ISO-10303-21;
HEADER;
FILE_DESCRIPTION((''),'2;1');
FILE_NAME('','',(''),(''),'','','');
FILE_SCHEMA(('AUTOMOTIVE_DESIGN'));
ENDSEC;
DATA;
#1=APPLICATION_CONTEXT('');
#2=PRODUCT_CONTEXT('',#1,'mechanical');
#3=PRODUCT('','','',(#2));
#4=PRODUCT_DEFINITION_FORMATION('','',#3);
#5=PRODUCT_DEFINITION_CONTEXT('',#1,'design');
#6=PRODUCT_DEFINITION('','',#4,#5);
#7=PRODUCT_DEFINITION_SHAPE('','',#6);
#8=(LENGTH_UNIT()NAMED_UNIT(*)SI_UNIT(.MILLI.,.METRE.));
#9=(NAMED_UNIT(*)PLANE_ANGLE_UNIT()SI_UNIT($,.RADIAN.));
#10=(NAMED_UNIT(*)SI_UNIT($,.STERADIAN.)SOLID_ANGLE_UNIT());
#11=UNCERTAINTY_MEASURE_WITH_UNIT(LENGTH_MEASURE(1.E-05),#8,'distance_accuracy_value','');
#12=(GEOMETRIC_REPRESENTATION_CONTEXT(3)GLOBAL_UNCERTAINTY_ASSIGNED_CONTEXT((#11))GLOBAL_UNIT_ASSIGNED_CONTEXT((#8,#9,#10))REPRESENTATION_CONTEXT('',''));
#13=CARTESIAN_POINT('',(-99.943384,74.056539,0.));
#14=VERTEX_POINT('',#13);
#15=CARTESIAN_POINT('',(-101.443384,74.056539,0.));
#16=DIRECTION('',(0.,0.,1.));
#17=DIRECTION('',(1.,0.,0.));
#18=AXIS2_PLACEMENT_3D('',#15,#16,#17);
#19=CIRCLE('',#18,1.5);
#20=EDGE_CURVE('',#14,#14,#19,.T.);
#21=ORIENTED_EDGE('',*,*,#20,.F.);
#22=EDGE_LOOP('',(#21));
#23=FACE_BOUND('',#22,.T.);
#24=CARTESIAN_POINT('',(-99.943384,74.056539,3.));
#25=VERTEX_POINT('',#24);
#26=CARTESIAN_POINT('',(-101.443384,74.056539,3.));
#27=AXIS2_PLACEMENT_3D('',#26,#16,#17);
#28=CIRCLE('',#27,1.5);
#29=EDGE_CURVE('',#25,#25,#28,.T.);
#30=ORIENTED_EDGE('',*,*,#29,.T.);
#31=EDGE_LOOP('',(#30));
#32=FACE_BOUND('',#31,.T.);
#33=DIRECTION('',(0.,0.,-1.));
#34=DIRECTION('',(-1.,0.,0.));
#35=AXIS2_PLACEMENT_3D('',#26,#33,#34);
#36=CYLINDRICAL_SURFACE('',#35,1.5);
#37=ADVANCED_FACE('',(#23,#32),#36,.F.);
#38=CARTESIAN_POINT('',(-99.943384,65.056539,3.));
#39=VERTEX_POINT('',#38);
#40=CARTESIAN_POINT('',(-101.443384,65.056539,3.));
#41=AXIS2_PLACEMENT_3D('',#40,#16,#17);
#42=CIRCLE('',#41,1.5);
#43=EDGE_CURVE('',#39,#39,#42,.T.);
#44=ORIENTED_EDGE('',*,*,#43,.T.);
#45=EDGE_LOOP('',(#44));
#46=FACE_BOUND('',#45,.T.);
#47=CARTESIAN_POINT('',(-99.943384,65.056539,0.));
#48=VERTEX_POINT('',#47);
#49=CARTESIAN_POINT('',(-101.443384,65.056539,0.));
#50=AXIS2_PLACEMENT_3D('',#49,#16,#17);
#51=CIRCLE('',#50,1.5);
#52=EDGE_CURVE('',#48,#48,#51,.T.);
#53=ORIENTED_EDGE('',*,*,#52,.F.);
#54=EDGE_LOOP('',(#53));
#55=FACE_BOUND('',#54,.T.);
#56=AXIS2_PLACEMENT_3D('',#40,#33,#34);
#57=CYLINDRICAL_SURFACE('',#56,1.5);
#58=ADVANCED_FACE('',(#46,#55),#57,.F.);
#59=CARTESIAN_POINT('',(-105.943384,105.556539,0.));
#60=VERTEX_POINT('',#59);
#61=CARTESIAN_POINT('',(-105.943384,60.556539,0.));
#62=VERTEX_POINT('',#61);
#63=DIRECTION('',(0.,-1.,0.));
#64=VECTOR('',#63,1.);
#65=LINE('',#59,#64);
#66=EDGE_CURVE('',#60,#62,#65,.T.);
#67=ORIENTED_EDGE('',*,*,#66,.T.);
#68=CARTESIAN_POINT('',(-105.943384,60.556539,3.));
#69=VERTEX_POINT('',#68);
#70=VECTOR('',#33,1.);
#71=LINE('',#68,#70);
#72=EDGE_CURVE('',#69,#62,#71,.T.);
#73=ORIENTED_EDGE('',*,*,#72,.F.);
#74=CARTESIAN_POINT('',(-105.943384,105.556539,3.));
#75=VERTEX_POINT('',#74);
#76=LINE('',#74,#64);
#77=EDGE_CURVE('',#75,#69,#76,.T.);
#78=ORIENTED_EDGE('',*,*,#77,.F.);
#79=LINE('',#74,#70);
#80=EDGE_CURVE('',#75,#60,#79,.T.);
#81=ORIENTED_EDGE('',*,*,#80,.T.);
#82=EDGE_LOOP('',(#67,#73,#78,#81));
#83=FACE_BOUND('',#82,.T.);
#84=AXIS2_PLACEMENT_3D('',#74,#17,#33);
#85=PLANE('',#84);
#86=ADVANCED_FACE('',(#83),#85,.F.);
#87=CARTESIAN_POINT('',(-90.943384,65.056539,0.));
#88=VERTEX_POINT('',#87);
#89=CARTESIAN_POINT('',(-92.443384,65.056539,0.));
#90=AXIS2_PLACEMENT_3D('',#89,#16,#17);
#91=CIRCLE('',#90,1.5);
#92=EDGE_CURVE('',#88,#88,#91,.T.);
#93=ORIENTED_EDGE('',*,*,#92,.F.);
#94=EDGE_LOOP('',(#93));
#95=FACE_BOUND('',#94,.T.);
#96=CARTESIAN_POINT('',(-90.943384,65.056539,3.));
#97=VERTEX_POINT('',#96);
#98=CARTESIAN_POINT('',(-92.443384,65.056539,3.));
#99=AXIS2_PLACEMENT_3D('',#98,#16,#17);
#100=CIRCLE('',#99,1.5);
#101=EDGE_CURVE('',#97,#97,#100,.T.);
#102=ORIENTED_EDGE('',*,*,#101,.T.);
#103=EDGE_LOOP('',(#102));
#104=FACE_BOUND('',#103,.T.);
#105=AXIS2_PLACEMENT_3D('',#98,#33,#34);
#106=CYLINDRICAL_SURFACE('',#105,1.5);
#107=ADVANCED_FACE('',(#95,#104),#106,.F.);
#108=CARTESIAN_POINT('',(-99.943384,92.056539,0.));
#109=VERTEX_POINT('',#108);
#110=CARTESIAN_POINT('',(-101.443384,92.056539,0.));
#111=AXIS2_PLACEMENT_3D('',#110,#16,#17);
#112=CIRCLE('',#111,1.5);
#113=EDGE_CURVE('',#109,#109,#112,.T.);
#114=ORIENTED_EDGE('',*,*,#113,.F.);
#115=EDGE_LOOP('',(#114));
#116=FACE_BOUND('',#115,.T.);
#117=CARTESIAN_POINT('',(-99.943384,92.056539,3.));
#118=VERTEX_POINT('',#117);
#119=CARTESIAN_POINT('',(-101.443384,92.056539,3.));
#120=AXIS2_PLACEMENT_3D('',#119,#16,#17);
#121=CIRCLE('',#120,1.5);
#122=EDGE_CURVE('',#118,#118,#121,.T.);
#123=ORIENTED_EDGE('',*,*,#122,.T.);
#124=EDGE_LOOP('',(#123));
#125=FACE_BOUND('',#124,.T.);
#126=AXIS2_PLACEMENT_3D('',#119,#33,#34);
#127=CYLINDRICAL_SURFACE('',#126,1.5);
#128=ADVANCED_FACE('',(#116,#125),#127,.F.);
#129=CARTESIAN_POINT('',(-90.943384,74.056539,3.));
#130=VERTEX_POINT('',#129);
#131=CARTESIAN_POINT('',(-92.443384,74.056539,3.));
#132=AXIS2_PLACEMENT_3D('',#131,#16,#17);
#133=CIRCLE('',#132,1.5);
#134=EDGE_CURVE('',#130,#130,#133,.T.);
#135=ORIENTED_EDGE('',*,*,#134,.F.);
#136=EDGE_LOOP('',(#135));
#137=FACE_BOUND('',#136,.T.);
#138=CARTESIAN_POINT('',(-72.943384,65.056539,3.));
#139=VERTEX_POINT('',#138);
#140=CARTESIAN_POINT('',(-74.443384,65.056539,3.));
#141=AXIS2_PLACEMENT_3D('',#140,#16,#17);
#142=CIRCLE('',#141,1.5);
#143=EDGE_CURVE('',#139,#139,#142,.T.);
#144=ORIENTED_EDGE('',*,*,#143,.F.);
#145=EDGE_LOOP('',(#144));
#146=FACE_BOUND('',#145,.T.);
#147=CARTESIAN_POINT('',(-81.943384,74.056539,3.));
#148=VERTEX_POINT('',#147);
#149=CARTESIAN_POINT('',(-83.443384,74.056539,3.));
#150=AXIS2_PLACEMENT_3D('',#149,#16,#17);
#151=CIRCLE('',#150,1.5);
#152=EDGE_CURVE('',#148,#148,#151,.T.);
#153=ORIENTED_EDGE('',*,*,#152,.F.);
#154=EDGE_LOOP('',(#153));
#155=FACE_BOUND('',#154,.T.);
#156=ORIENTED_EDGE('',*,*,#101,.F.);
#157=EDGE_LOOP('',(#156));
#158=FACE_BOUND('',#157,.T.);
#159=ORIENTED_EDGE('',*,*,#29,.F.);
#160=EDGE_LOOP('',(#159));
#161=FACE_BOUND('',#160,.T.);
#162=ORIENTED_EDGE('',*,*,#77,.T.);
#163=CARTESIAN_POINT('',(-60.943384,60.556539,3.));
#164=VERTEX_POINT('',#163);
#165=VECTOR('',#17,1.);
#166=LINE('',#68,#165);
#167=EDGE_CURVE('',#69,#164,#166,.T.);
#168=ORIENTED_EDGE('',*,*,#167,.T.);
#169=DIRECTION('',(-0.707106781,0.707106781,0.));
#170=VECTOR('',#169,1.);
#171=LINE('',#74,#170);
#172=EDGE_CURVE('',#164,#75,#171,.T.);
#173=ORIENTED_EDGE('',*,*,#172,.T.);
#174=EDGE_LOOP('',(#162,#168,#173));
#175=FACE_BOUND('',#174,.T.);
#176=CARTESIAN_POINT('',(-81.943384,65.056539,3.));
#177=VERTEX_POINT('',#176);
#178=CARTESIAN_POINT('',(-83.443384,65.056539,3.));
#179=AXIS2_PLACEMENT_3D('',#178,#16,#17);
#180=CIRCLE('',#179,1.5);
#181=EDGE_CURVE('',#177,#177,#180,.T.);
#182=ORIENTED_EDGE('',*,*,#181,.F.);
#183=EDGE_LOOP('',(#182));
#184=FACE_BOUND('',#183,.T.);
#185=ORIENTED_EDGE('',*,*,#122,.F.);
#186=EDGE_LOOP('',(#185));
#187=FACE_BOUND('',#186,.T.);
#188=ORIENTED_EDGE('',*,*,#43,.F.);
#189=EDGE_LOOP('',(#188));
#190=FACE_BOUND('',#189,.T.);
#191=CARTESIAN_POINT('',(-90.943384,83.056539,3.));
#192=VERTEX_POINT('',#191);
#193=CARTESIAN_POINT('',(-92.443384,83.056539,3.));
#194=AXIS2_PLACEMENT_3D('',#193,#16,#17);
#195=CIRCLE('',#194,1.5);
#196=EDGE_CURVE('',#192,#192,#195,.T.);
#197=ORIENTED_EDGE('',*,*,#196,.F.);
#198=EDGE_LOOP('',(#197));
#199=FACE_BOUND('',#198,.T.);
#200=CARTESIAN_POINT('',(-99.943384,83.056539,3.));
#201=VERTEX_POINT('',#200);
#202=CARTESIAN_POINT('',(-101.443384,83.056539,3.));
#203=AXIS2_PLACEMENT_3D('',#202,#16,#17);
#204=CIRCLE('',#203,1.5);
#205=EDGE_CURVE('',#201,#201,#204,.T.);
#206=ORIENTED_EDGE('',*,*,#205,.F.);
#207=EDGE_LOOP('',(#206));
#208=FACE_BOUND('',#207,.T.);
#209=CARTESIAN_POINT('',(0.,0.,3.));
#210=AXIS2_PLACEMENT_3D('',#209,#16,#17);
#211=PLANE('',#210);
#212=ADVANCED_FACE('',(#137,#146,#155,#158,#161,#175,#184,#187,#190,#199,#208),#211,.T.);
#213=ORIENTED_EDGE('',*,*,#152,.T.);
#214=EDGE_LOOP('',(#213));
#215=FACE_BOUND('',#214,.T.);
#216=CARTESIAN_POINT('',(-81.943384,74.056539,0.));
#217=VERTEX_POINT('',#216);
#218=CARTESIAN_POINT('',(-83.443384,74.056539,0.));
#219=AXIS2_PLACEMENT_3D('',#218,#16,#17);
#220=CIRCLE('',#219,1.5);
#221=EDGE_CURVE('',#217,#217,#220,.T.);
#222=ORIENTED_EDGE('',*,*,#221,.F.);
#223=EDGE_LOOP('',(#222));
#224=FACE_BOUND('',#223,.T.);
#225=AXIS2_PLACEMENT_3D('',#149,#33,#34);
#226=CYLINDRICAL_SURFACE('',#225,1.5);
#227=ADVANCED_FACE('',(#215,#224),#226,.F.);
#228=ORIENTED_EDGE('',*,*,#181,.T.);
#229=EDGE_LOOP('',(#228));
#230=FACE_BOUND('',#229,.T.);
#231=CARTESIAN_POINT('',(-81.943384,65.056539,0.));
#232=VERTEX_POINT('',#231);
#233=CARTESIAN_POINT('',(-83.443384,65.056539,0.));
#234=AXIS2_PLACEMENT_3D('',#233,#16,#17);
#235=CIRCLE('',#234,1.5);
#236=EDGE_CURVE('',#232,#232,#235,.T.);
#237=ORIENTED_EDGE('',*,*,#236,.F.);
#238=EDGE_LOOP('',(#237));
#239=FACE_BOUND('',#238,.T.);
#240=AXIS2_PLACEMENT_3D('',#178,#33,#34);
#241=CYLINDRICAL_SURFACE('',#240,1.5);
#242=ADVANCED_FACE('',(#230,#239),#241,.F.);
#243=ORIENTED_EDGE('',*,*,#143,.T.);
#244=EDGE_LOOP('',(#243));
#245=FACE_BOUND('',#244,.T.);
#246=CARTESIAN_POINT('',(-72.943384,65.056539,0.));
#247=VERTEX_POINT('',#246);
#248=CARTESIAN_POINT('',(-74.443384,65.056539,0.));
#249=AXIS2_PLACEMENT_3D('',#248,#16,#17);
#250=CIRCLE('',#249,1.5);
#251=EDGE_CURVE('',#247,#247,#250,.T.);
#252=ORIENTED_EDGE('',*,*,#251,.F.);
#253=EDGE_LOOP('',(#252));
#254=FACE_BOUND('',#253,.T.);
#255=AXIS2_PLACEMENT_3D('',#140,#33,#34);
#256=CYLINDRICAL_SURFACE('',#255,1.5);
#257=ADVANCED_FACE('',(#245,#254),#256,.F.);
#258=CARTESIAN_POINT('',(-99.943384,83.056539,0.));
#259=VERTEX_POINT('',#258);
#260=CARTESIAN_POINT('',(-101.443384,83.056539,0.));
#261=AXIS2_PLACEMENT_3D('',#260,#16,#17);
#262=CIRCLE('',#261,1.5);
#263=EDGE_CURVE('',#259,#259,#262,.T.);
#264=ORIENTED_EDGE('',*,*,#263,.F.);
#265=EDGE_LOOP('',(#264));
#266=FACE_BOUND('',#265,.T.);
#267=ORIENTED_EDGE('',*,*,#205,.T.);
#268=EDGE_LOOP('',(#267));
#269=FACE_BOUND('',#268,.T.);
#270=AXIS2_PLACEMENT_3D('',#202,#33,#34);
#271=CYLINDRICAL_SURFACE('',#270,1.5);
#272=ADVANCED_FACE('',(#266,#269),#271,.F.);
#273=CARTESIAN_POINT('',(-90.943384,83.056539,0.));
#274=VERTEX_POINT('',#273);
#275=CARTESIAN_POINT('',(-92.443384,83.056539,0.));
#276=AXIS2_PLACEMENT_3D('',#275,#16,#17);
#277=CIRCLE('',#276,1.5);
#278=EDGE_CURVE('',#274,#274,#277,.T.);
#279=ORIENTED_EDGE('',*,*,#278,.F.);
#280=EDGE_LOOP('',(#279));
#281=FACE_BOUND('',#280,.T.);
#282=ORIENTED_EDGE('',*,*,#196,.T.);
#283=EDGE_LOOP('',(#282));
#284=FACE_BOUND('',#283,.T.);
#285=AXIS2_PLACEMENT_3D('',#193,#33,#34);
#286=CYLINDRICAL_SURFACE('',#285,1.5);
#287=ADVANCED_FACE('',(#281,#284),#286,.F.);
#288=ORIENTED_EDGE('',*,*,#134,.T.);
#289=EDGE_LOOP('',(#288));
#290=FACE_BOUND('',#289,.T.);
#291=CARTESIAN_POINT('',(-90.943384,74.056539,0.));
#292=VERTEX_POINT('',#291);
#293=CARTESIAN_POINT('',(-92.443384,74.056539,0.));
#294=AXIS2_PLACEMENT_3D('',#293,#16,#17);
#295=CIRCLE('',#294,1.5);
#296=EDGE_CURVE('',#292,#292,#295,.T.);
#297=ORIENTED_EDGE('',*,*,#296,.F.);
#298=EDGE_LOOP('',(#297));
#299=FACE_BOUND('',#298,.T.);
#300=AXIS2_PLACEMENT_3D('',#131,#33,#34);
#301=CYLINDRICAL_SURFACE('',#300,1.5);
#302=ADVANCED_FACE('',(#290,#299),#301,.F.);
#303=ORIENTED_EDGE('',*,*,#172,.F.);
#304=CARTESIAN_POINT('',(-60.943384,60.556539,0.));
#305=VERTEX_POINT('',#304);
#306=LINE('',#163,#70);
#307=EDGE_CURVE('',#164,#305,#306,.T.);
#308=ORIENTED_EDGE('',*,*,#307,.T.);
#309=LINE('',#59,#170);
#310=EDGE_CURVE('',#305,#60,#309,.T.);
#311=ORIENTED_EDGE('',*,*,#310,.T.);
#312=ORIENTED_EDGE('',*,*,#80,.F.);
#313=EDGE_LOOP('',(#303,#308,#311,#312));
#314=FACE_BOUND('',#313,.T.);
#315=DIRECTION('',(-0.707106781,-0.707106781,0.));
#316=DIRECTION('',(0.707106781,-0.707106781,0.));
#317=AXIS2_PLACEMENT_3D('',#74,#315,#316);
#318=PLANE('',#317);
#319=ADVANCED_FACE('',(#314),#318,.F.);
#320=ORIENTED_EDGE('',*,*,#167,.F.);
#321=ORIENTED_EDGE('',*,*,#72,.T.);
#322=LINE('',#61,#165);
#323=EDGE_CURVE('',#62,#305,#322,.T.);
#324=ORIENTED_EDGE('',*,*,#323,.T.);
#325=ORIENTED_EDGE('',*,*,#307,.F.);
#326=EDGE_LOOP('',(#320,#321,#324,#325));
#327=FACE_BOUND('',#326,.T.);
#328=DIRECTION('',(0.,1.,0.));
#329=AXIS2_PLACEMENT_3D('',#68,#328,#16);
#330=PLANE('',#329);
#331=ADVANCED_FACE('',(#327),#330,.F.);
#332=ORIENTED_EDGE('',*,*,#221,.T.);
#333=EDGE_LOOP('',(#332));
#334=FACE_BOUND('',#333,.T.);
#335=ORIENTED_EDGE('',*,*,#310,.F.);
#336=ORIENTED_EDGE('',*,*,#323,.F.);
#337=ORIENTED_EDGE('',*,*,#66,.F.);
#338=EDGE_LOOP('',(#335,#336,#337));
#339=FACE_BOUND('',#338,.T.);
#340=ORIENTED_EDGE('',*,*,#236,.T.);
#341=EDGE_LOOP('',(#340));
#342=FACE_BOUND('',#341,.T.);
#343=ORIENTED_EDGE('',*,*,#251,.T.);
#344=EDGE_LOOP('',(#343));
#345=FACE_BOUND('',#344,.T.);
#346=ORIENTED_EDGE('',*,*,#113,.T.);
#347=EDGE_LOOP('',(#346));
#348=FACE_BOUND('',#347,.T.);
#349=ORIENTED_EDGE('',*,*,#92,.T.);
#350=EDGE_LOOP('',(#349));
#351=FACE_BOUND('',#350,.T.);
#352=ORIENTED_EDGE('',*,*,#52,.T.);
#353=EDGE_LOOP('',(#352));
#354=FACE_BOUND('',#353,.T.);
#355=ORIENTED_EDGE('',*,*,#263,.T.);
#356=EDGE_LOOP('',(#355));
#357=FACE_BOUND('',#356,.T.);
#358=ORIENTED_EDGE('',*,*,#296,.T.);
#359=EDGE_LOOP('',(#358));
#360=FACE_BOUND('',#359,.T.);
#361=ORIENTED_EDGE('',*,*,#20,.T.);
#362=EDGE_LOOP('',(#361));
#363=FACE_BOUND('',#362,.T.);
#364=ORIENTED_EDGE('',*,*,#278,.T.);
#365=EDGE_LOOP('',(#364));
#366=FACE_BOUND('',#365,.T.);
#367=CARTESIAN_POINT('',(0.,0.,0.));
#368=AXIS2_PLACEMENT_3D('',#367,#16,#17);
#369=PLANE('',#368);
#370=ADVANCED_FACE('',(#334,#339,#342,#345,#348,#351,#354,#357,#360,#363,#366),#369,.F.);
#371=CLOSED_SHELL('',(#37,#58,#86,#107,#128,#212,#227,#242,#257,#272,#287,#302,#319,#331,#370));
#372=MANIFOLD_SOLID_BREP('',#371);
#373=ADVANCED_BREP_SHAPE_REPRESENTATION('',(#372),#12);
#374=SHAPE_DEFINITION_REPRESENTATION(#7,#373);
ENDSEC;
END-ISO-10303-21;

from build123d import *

# Parameters (mm, degrees)
MODEL_R                 = 1.5
SALIENTE_EXTRUIR1_DEPTH = 3


with BuildPart() as part:
    # Model → Saliente-Extruir1 (new body)
    with BuildSketch(Plane.XY):
        Polygon((-105.943383637, 105.556539338), (-105.943383637, 60.556539338), (-60.943383637, 60.556539338), align=None)
        with Locations((-101.443383637, 92.056539338)):
            Circle(MODEL_R, mode=Mode.SUBTRACT)
        with Locations((-101.443383637, 83.056539338)):
            Circle(MODEL_R, mode=Mode.SUBTRACT)
        with Locations((-92.443383637, 83.056539338)):
            Circle(MODEL_R, mode=Mode.SUBTRACT)
        with Locations((-101.443383637, 74.056539338)):
            Circle(MODEL_R, mode=Mode.SUBTRACT)
        with Locations((-92.443383637, 74.056539338)):
            Circle(MODEL_R, mode=Mode.SUBTRACT)
        with Locations((-83.443383637, 74.056539338)):
            Circle(MODEL_R, mode=Mode.SUBTRACT)
        with Locations((-101.443383637, 65.056539338)):
            Circle(MODEL_R, mode=Mode.SUBTRACT)
        with Locations((-92.443383637, 65.056539338)):
            Circle(MODEL_R, mode=Mode.SUBTRACT)
        with Locations((-83.443383637, 65.056539338)):
            Circle(MODEL_R, mode=Mode.SUBTRACT)
        with Locations((-74.443383637, 65.056539338)):
            Circle(MODEL_R, mode=Mode.SUBTRACT)
    extrude(amount=SALIENTE_EXTRUIR1_DEPTH)


solid = part.part
